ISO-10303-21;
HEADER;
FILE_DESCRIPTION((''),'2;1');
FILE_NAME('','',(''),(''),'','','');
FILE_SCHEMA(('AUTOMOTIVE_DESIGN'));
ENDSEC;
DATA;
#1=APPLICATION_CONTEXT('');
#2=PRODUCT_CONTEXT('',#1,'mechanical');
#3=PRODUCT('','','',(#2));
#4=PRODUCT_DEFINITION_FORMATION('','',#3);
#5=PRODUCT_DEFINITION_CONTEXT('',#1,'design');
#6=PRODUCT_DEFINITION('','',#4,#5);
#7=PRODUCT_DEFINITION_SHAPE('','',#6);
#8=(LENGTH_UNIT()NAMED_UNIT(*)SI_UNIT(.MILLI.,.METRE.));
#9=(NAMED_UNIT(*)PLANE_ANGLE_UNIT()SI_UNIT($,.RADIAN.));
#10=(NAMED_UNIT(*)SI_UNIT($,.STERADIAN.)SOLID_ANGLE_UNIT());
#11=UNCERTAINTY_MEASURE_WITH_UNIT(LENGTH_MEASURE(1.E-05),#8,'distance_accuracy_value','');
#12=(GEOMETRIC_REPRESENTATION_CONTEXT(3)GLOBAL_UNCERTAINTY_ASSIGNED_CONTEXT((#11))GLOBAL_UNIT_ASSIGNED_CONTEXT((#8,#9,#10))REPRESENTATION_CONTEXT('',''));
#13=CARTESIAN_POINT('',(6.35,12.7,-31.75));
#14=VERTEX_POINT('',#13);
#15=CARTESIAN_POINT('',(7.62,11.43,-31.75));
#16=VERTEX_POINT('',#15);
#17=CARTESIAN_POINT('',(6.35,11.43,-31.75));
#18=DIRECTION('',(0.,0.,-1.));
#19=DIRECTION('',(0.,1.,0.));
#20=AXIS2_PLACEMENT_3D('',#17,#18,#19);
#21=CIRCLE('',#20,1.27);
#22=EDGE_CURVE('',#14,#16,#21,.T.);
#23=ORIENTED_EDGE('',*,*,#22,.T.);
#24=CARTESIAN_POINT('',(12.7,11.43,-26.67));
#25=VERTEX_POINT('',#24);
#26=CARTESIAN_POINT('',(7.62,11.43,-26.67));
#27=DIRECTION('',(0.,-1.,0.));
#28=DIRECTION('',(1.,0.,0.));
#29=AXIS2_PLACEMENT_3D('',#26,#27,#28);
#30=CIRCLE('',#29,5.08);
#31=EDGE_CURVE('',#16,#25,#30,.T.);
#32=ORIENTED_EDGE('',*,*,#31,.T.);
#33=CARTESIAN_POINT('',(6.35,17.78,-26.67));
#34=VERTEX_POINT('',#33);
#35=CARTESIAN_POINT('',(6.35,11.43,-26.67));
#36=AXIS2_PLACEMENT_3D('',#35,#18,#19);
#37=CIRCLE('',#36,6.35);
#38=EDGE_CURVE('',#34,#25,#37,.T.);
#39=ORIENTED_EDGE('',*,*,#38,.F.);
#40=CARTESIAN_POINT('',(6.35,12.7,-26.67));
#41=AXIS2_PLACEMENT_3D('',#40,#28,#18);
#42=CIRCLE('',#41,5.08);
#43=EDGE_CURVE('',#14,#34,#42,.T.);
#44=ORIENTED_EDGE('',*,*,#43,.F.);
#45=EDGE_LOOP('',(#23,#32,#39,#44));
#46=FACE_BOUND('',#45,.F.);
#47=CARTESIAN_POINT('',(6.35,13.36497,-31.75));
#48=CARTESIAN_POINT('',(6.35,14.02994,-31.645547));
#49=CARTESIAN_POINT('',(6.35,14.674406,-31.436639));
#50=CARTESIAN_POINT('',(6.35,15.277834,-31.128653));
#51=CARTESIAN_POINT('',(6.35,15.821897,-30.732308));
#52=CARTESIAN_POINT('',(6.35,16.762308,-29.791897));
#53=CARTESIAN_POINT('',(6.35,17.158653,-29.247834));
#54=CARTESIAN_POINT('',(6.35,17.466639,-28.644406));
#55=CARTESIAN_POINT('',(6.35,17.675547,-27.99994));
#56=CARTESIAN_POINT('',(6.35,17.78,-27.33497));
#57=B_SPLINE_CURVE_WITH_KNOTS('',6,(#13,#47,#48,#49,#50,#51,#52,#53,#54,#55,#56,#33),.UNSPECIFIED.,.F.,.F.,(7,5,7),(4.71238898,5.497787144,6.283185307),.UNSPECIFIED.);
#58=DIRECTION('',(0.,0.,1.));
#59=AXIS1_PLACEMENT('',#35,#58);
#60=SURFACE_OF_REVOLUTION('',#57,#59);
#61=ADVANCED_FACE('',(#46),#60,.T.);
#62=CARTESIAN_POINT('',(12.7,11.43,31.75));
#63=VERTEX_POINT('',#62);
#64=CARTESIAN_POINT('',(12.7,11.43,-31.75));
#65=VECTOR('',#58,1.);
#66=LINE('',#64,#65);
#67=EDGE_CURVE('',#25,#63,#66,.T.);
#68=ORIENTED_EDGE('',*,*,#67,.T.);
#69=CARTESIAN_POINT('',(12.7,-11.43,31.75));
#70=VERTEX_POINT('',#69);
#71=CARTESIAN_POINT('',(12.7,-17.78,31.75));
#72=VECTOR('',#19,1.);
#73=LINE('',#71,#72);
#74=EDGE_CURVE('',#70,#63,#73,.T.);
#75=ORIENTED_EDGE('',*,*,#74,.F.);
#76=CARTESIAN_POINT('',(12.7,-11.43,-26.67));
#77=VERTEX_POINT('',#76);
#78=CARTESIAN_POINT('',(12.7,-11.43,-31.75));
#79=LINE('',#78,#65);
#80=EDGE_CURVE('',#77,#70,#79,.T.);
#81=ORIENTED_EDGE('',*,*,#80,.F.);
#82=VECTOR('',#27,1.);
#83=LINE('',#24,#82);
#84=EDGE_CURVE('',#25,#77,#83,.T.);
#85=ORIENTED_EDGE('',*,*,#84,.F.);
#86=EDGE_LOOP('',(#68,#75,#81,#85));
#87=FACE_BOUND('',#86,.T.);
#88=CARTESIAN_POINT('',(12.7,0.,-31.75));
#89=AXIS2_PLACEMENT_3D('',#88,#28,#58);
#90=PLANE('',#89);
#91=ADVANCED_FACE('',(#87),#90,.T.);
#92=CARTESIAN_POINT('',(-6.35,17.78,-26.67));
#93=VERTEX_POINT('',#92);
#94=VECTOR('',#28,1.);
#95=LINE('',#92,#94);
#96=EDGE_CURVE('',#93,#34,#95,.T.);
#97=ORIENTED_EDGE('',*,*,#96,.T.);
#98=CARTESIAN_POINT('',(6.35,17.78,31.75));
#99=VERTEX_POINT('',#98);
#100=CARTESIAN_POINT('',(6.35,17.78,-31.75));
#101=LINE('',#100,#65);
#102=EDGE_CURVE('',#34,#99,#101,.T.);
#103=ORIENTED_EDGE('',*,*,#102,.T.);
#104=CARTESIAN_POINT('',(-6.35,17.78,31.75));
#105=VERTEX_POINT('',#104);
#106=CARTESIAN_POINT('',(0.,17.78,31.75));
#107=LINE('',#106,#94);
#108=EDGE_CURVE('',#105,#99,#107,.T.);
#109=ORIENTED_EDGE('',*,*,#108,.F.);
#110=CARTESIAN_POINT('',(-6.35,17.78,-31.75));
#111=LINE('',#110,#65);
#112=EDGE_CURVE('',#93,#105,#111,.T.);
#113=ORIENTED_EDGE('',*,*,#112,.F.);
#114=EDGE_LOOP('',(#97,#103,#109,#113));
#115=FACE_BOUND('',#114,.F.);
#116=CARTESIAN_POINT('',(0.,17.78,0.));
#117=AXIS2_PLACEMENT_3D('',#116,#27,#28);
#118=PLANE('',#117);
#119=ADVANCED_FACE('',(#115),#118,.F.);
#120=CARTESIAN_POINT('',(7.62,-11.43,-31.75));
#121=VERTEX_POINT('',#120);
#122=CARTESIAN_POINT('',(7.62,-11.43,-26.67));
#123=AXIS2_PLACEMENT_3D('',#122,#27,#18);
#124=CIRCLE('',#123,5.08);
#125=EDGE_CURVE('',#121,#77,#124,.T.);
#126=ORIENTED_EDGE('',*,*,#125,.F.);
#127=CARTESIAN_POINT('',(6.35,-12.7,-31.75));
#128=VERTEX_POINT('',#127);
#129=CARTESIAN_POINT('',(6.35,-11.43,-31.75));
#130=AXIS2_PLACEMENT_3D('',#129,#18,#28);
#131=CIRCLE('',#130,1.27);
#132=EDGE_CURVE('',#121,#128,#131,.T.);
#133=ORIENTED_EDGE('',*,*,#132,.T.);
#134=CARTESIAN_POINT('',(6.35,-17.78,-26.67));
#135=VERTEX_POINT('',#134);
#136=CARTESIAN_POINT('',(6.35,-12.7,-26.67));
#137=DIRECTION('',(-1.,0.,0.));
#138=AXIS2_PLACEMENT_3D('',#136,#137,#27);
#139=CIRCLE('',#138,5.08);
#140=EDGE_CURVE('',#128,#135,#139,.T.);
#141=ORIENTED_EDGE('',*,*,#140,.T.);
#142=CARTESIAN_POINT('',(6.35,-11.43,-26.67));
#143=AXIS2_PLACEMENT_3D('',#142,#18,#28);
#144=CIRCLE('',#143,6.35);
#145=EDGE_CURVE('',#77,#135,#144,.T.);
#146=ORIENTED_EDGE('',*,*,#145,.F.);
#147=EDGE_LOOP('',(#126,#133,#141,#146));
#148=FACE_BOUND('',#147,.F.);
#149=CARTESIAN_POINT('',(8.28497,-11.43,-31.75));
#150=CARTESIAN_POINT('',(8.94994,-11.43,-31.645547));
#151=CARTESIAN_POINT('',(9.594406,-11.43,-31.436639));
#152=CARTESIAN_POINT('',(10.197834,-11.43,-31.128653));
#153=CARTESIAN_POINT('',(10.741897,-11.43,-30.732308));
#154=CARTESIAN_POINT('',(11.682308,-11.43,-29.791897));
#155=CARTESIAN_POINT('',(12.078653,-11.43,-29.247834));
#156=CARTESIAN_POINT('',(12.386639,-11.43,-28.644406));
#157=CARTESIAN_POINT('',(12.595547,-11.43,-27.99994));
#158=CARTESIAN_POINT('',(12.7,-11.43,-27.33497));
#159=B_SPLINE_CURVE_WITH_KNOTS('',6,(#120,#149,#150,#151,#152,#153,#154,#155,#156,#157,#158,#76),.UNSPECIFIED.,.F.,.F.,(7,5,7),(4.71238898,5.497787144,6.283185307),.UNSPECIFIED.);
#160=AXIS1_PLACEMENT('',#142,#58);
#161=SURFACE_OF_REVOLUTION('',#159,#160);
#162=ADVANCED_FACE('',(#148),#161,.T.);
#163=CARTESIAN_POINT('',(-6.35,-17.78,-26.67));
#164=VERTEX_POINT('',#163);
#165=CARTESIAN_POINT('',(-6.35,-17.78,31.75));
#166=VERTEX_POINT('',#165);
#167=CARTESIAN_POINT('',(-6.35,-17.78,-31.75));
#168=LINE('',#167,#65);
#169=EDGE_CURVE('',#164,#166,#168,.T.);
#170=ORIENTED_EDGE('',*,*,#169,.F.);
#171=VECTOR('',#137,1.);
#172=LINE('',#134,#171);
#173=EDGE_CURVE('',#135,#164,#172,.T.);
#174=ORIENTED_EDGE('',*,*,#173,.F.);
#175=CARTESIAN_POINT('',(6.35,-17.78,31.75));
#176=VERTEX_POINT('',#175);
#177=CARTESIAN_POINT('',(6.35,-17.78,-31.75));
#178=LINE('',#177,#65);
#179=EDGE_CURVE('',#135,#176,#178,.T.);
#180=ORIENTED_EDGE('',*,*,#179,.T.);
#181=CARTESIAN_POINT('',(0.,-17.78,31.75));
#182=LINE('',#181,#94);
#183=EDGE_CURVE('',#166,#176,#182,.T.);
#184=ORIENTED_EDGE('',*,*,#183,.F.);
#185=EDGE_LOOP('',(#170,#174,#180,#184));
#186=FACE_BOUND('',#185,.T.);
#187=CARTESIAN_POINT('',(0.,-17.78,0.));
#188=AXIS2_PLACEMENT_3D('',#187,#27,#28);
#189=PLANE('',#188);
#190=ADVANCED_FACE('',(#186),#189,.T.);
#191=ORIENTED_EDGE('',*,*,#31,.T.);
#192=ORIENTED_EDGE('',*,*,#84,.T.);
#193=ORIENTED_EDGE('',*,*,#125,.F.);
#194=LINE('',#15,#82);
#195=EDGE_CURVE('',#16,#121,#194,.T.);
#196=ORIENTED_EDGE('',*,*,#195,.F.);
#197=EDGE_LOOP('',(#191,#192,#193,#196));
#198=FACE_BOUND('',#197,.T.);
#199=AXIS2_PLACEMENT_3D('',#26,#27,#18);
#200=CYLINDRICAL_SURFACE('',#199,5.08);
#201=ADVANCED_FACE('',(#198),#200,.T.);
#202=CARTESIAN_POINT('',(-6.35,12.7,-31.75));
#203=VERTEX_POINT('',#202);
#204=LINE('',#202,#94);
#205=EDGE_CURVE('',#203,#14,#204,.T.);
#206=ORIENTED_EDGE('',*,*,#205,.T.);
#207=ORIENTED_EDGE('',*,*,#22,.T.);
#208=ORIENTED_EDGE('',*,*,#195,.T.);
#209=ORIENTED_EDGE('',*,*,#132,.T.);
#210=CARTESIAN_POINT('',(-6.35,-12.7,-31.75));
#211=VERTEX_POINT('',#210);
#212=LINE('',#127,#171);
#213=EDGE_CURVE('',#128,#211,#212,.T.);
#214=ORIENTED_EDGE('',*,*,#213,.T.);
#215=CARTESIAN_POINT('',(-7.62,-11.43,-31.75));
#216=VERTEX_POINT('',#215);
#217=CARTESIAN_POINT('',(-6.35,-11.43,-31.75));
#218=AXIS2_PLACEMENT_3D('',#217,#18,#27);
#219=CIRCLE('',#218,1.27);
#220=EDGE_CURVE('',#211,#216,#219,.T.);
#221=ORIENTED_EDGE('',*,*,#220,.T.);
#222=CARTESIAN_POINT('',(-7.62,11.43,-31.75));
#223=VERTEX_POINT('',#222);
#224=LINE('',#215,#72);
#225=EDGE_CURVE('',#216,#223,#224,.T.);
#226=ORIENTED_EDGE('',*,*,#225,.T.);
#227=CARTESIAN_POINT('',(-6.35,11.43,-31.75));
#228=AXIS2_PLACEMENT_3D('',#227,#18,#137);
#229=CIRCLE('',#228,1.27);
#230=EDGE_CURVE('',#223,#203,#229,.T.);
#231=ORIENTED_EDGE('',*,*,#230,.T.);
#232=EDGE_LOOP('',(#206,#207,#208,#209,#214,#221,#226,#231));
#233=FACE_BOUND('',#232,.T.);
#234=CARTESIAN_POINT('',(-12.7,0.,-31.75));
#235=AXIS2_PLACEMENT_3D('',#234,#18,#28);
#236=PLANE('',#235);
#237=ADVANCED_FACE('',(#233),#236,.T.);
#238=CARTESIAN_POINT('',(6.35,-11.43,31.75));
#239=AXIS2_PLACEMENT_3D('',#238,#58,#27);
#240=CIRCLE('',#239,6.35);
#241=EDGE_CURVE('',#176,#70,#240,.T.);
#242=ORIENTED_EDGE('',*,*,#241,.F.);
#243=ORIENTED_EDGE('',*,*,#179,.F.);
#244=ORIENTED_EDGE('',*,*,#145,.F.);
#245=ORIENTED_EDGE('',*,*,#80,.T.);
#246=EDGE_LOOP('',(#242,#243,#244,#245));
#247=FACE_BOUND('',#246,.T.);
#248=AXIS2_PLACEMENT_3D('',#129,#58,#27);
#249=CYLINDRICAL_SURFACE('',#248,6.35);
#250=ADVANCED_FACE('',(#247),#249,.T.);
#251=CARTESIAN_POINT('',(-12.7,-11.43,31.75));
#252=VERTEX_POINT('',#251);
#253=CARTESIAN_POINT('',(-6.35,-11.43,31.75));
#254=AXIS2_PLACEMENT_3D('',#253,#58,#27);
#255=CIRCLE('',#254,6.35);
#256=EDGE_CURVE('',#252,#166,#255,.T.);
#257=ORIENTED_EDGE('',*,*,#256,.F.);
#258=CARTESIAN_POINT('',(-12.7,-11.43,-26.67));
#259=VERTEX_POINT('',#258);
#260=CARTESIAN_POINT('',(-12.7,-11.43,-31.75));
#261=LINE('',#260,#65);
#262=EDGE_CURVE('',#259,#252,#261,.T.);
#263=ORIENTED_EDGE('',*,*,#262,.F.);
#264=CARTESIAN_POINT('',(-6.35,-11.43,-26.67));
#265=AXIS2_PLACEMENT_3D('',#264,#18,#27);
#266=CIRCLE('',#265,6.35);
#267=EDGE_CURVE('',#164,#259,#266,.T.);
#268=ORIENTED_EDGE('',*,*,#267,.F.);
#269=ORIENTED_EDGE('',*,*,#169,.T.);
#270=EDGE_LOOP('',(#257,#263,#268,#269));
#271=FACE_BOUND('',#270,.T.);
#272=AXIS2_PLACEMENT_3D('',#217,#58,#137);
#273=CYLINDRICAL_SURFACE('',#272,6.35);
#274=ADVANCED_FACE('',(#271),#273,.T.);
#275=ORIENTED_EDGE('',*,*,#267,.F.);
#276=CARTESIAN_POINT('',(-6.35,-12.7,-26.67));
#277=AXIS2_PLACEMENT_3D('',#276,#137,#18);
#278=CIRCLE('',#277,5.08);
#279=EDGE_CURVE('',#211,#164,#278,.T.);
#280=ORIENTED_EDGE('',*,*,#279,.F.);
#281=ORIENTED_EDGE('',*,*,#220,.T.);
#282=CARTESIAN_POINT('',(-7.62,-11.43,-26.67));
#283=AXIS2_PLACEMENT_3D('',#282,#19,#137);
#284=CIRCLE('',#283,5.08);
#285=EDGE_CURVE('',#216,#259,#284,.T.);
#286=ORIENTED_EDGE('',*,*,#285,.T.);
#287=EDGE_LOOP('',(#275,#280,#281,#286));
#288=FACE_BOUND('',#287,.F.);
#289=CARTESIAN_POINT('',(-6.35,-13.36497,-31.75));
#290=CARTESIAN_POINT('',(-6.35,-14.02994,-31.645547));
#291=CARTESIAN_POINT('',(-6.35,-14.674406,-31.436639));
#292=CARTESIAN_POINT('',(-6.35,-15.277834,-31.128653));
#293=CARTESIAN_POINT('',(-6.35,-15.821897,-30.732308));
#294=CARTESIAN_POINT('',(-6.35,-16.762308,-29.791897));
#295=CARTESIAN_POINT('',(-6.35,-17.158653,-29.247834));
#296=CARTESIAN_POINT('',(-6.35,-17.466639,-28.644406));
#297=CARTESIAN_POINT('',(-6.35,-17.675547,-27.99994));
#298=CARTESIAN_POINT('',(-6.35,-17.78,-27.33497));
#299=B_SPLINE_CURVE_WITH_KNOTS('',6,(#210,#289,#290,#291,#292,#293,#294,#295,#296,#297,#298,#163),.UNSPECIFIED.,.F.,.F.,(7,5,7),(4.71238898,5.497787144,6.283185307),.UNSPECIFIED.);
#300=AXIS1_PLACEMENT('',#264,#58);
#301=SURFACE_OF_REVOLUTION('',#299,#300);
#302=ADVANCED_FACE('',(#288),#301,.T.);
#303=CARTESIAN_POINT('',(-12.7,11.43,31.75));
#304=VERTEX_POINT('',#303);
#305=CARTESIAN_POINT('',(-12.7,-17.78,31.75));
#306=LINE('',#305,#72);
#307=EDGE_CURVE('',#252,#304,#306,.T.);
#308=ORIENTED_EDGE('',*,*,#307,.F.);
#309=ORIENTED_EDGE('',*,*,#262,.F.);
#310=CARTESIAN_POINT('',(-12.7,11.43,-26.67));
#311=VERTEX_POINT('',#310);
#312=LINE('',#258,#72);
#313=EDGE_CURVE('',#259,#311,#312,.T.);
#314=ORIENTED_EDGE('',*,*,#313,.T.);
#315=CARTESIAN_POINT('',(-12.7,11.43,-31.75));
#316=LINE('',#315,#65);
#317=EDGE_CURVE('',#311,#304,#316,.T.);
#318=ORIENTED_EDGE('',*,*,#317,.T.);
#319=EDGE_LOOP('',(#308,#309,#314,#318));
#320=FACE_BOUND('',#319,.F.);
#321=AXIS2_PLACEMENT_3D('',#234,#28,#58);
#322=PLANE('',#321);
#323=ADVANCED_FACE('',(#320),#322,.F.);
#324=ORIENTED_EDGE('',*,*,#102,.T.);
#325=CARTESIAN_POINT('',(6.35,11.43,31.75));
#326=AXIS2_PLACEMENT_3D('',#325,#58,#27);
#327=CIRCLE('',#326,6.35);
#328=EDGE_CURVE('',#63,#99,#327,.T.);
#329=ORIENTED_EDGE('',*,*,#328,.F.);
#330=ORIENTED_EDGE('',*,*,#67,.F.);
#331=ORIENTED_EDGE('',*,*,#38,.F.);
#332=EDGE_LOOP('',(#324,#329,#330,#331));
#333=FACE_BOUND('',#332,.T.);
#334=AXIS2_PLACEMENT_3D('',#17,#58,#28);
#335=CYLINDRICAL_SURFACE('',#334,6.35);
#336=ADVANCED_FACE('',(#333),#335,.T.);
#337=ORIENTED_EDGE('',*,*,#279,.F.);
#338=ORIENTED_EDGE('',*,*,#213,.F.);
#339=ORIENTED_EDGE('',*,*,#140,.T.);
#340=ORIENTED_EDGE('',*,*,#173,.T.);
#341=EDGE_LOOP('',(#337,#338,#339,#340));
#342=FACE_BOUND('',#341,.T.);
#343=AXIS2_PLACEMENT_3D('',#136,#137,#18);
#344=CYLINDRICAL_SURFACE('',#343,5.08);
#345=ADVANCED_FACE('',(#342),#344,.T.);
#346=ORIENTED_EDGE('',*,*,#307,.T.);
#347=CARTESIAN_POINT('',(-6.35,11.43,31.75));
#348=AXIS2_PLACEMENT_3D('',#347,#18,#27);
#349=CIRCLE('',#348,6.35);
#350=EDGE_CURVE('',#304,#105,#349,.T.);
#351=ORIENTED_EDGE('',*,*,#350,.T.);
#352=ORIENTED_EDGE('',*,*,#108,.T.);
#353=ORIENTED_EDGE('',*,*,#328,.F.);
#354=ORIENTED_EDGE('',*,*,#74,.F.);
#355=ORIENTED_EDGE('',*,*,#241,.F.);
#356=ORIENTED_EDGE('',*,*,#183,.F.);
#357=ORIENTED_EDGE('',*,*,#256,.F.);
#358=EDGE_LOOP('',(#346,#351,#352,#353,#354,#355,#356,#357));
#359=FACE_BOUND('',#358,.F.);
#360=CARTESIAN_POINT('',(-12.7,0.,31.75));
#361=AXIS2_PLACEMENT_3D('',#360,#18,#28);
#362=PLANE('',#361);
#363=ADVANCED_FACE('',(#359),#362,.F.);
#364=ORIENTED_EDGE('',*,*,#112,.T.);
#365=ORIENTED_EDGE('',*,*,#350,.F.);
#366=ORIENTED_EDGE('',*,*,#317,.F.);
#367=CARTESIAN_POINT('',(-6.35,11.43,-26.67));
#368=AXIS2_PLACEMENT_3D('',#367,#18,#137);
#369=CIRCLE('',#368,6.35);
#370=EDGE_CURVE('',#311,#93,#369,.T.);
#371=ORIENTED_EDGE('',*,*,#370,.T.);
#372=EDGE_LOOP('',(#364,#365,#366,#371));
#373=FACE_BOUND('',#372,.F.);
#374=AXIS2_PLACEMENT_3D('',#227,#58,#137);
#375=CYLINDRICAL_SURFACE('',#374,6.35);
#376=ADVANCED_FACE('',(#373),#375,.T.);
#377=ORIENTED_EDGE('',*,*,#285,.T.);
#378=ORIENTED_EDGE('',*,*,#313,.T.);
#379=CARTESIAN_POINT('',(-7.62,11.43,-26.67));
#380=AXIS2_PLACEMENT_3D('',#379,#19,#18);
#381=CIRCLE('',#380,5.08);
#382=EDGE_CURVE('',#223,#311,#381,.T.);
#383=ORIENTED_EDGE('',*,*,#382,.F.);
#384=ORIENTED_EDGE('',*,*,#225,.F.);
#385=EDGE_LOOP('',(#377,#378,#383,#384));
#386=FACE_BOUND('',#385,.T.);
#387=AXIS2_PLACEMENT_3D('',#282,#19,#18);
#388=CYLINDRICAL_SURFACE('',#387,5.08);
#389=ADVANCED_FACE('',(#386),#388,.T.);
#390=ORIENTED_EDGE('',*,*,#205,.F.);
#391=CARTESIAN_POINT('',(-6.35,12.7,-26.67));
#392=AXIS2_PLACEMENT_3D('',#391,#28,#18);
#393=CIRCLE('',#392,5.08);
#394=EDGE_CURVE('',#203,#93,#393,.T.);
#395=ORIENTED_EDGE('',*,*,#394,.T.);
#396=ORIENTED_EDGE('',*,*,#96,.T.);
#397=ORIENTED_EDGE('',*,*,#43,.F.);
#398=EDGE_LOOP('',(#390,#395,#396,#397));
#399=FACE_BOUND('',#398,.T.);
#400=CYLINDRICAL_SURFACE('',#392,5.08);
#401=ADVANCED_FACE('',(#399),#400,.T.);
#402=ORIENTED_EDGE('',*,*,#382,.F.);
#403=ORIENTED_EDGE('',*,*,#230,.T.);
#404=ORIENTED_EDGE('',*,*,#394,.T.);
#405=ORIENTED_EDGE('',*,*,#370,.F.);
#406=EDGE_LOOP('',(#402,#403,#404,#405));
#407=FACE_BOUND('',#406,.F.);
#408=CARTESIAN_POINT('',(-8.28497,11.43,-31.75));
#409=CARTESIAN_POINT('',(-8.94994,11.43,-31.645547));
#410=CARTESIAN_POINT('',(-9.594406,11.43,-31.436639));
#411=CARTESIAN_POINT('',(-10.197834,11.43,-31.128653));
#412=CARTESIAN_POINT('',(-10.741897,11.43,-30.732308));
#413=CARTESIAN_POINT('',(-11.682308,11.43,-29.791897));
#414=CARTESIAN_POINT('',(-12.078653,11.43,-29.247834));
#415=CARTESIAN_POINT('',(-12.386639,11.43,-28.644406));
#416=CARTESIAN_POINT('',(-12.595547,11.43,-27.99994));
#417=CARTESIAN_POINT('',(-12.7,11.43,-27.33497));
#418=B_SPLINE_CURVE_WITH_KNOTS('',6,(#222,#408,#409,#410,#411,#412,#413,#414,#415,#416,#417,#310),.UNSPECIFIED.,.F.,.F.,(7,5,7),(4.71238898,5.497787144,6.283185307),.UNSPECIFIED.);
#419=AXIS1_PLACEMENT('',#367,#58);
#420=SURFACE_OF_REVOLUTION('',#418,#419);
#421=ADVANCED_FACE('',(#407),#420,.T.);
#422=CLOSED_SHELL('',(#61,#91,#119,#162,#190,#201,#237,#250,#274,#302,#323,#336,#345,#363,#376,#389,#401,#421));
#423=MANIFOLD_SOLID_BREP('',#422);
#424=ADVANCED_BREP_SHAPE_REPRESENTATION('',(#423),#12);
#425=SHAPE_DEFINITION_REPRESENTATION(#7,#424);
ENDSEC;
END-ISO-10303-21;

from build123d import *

# Parameters (mm, degrees)
F0_W     = 25.4
F0_H     = 63.5
F1_DEPTH = 17.78
F2_R     = 6.35
F3_R     = 5.08


with BuildPart() as f1:
    # F0 (on Front) → F1 (new body, symmetric)
    with BuildSketch(Plane.XZ):
        Rectangle(F0_W, F0_H)
    extrude(amount=F1_DEPTH, both=True)

    # F2
    f2_edges = [f1.edges().sort_by_distance(p)[0] for p in [
        (-12.7, -17.78, 0),
        (-12.7, 17.78, 0),
        (12.7, 17.78, 0),
        (12.7, -17.78, 0),
    ]]
    fillet(f2_edges, radius=F2_R)

    # F3
    f3_edges = [f1.edges().sort_by_distance(p)[0] for p in [
        (0, 17.78, -31.75),
        (-10.840128, 15.920128, -31.75),
        (10.840128, 15.920128, -31.75),
        (-12.7, 0, -31.75),
        (12.7, 0, -31.75),
        (-10.840128, -15.920128, -31.75),
        (10.840128, -15.920128, -31.75),
        (0, -17.78, -31.75),
    ]]
    fillet(f3_edges, radius=F3_R)


solid = f1.part
